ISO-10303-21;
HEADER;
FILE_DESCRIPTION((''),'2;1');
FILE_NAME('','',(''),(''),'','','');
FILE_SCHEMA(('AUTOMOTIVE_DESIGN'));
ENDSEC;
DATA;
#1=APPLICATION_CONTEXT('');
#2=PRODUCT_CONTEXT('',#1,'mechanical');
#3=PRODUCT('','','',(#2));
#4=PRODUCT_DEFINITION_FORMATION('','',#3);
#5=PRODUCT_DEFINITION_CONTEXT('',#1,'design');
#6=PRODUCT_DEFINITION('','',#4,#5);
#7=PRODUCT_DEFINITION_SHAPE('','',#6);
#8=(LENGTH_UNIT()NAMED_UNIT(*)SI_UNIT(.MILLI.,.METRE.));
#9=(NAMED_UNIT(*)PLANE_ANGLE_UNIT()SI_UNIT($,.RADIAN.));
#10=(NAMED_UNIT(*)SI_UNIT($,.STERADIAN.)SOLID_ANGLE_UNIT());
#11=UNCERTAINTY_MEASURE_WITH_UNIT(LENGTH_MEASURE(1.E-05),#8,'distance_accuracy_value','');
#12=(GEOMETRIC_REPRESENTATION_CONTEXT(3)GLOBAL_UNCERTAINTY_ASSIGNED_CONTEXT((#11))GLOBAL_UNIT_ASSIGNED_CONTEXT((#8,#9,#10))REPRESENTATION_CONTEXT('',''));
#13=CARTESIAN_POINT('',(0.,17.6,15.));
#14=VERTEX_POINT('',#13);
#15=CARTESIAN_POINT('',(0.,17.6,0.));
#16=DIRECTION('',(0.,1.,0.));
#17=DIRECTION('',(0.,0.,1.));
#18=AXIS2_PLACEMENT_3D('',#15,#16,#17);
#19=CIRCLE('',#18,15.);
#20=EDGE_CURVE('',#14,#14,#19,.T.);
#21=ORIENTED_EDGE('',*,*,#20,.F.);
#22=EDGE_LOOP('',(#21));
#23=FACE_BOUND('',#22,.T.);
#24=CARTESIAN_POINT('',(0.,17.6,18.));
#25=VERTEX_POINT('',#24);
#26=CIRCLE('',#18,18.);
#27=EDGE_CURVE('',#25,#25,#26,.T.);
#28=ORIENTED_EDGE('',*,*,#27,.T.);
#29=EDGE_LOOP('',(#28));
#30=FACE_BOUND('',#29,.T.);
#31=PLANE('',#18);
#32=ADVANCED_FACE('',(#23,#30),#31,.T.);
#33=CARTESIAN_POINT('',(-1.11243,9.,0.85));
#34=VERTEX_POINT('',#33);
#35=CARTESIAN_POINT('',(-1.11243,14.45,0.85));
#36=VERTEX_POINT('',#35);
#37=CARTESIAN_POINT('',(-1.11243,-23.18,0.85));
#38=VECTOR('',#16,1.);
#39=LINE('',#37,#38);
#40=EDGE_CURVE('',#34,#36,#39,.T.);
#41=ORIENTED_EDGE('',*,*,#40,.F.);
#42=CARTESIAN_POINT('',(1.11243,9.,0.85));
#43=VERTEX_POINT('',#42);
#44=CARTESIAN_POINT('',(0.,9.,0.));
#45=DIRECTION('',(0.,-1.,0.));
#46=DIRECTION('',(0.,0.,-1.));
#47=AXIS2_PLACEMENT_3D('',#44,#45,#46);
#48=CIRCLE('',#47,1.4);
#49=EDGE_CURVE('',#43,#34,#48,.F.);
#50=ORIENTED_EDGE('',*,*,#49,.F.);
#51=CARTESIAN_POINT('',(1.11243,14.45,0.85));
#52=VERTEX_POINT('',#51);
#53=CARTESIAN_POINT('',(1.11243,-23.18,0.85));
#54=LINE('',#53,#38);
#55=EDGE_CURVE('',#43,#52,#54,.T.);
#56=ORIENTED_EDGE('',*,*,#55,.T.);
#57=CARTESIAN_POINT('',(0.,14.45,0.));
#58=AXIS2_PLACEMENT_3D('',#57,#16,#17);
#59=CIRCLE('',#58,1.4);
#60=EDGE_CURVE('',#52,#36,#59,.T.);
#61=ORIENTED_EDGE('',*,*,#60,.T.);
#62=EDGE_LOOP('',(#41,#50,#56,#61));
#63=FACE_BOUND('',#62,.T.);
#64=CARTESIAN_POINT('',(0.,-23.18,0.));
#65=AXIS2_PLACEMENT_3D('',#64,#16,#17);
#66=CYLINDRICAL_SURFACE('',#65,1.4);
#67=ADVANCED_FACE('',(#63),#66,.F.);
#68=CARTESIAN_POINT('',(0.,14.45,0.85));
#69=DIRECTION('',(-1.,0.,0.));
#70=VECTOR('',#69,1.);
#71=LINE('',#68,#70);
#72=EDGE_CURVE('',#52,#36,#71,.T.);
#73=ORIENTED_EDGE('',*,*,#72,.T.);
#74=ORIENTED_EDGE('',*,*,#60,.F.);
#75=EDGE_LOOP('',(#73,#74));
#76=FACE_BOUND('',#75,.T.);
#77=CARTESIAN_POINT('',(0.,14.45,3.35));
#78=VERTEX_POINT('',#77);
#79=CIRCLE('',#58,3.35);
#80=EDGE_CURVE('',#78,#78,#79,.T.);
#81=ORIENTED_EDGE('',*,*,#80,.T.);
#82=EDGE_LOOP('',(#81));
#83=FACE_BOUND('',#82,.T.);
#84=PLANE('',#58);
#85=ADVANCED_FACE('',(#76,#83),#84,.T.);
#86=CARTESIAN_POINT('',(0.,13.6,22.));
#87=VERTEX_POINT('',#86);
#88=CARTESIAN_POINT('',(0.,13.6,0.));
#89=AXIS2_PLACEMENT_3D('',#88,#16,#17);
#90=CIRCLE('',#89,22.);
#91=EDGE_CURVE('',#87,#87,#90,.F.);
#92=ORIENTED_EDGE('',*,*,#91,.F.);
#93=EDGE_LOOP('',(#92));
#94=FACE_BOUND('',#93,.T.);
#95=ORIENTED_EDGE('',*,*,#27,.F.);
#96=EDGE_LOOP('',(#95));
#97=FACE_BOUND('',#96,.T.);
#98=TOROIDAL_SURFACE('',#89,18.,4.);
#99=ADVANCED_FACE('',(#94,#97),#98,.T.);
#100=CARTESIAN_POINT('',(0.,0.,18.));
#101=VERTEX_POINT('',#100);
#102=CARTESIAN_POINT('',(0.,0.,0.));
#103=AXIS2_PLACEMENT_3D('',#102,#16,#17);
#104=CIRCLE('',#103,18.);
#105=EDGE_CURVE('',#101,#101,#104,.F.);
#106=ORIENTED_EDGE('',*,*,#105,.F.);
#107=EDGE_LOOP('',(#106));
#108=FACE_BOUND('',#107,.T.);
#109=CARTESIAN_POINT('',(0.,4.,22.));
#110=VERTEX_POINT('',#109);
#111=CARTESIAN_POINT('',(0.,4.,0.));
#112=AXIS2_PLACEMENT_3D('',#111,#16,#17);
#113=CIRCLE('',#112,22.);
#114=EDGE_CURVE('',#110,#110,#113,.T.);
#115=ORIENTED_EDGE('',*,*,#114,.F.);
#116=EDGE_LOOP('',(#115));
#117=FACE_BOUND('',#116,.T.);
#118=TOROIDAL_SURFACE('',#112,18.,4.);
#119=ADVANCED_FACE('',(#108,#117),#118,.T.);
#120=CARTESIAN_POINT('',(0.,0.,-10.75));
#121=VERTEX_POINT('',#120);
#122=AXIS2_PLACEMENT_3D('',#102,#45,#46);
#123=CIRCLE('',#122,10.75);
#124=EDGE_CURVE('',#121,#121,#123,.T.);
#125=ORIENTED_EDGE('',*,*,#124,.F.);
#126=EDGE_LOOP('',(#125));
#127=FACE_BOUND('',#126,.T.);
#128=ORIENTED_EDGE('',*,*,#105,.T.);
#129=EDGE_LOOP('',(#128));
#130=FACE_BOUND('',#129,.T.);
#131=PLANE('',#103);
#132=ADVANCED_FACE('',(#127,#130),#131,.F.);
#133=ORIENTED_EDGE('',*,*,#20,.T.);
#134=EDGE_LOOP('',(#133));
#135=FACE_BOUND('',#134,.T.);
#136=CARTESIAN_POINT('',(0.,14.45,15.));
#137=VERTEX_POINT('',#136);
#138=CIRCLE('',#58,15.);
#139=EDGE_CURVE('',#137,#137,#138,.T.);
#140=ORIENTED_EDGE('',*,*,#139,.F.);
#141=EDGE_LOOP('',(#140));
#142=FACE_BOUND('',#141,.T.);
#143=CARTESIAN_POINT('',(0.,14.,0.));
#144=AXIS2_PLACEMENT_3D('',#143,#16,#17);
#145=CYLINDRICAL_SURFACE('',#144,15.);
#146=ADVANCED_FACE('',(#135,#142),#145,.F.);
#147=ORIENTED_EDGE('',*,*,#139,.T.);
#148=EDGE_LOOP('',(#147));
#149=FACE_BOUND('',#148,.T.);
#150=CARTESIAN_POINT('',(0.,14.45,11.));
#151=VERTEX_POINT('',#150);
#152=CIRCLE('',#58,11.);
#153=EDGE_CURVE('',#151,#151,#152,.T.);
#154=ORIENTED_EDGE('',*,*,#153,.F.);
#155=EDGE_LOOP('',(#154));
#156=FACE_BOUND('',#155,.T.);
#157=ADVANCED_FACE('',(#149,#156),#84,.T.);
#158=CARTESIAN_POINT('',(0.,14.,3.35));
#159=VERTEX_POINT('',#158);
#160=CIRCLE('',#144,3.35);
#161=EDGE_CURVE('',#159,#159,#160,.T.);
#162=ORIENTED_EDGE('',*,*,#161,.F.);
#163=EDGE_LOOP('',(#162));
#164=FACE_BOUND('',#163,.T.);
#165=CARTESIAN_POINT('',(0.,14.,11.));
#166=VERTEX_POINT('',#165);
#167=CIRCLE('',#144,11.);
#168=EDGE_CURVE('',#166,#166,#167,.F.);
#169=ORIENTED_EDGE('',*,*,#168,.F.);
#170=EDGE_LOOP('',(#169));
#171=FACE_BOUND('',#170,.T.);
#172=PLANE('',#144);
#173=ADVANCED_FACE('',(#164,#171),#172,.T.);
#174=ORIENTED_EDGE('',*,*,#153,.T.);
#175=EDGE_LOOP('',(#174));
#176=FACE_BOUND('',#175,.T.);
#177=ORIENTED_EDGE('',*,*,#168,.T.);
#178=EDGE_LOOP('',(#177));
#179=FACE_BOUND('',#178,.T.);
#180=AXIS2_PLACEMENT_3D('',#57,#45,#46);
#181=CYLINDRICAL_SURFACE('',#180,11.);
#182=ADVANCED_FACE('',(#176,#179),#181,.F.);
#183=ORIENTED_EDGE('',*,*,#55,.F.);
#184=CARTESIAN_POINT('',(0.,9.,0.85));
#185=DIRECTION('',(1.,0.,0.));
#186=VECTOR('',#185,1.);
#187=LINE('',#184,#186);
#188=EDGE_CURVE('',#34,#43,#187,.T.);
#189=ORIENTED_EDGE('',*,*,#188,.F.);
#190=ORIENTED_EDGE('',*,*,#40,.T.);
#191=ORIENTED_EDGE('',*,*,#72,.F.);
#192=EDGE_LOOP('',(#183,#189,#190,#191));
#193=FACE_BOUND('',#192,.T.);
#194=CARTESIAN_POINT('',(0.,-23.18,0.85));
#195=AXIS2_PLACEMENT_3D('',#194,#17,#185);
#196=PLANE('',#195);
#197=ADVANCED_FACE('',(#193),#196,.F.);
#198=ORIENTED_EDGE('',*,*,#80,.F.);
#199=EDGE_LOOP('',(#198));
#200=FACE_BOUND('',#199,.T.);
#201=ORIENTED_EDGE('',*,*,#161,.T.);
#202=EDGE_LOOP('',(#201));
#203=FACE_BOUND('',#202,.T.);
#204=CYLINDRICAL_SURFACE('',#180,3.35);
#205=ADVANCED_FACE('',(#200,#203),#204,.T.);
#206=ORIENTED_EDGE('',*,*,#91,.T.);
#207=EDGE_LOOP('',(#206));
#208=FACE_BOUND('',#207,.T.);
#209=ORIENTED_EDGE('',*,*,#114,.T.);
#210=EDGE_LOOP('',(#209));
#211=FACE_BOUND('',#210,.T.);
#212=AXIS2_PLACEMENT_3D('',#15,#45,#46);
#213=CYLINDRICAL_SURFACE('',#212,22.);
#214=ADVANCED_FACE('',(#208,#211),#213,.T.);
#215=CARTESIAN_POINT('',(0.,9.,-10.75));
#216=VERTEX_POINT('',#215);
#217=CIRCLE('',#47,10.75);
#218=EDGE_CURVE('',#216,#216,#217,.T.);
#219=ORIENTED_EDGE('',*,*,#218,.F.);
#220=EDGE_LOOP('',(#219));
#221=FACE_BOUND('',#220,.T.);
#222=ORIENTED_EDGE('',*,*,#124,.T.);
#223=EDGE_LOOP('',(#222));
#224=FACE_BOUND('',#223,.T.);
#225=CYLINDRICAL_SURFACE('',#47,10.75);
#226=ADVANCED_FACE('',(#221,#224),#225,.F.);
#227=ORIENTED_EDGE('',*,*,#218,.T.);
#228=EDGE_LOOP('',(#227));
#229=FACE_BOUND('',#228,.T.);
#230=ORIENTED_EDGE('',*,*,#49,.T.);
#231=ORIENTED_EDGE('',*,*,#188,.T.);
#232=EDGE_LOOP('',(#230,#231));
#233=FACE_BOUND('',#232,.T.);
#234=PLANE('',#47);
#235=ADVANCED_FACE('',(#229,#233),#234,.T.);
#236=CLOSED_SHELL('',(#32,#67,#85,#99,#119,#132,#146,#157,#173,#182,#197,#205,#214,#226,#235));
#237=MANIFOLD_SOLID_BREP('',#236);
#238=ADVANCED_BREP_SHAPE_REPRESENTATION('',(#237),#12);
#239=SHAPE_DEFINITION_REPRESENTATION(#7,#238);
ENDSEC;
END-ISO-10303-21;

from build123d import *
from build123d.topology import SkipClean

# Parameters (mm, degrees)
SKETCH1_R           = 22
BOSS_EXTRUDE1_DEPTH = 17.6
SKETCH2_R           = 15
CUT_EXTRUDE1_DEPTH  = 3.6
CUT_EXTRUDE2_DEPTH  = 37.18
BOSS_EXTRUDE2_START = 0.45
SKETCH4_R           = 15
SKETCH4_R_2         = 11
SKETCH4_R_3         = 3.35
BOSS_EXTRUDE2_DEPTH = 0.45
SKETCH5_R           = 10.75
CUT_EXTRUDE3_DEPTH  = 9
FILLET1_R           = 4


with BuildPart() as part:
    # Sketch1 → Boss-Extrude1 (new body)
    with BuildSketch(Plane(origin=(0, 0, 0), x_dir=(1, 0, 0), z_dir=(0, 1, 0))):
        with Locations(Location((0, 0, 0), (0, 0, 270))):
            Circle(SKETCH1_R)
    extrude(amount=BOSS_EXTRUDE1_DEPTH)

    # Sketch2 → Cut-Extrude1 (cut)
    with BuildSketch(Plane(origin=(0, 17.6, 0), x_dir=(1, 0, 0), z_dir=(0, 1, 0))):
        with Locations(Location((0, 0, 0), (0, 0, 270))):
            Circle(SKETCH2_R)
    extrude(amount=-CUT_EXTRUDE1_DEPTH, mode=Mode.SUBTRACT)

    # Sketch3 → Cut-Extrude2 (cut)
    with BuildSketch(Plane(origin=(0, 14, 0), x_dir=(1, 0, 0), z_dir=(0, 1, 0))):
        with BuildLine():
            ThreePointArc((1.4, 0), (-0.448663748, 1.326160187), (-1.112429773, -0.85))
            Line((-1.112429773, -0.85), (1.112429773, -0.85))
            ThreePointArc((1.112429773, -0.85), (1.326160187, -0.448663748), (1.4, 0))
        make_face()
    extrude(amount=-CUT_EXTRUDE2_DEPTH, mode=Mode.SUBTRACT)

    # Sketch4 → Boss-Extrude2 (add)
    # profile 1 of 2: a face of its own
    with SkipClean():  # the faces are left unmerged after this step: merging them gives an invalid solid
        with BuildSketch(Plane(origin=(0, 14, 0), x_dir=(1, 0, 0), z_dir=(0, 1, 0)).offset(BOSS_EXTRUDE2_START)):
            with Locations(Location((0, 0, 0), (0, 0, 270))):
                Circle(SKETCH4_R)
            with Locations(Location((0, 0, 0), (0, 0, 270))):
                Circle(SKETCH4_R_2, mode=Mode.SUBTRACT)
        # profile 2 of 2: a face of its own
        with BuildSketch(Plane(origin=(0, 14, 0), x_dir=(1, 0, 0), z_dir=(0, 1, 0)).offset(BOSS_EXTRUDE2_START)):
            with Locations(Location((0, 0, 0), (0, 0, 270))):
                Circle(SKETCH4_R_3)
            with BuildLine():
                Line((1.112429773, -0.85), (-1.112429773, -0.85))
                ThreePointArc((-1.112429773, -0.85), (0, 1.4), (1.112429773, -0.85))
            make_face(mode=Mode.SUBTRACT)
        extrude(amount=-BOSS_EXTRUDE2_DEPTH)

    # Sketch5 → Cut-Extrude3 (cut)
    with SkipClean():  # the faces are left unmerged after this step: merging them gives an invalid solid
        with BuildSketch(Plane.XZ):
            with Locations(Location((0, 0, 0), (0, 0, 270))):
                Circle(SKETCH5_R)
        extrude(amount=-CUT_EXTRUDE3_DEPTH, mode=Mode.SUBTRACT)

    # Fillet1
    fillet1_edges = [part.edges().sort_by_distance(p)[0] for p in [
        (0, 0, -22),
        (0, 17.6, -22),
    ]]
    fillet(fillet1_edges, radius=FILLET1_R)


solid = part.part
